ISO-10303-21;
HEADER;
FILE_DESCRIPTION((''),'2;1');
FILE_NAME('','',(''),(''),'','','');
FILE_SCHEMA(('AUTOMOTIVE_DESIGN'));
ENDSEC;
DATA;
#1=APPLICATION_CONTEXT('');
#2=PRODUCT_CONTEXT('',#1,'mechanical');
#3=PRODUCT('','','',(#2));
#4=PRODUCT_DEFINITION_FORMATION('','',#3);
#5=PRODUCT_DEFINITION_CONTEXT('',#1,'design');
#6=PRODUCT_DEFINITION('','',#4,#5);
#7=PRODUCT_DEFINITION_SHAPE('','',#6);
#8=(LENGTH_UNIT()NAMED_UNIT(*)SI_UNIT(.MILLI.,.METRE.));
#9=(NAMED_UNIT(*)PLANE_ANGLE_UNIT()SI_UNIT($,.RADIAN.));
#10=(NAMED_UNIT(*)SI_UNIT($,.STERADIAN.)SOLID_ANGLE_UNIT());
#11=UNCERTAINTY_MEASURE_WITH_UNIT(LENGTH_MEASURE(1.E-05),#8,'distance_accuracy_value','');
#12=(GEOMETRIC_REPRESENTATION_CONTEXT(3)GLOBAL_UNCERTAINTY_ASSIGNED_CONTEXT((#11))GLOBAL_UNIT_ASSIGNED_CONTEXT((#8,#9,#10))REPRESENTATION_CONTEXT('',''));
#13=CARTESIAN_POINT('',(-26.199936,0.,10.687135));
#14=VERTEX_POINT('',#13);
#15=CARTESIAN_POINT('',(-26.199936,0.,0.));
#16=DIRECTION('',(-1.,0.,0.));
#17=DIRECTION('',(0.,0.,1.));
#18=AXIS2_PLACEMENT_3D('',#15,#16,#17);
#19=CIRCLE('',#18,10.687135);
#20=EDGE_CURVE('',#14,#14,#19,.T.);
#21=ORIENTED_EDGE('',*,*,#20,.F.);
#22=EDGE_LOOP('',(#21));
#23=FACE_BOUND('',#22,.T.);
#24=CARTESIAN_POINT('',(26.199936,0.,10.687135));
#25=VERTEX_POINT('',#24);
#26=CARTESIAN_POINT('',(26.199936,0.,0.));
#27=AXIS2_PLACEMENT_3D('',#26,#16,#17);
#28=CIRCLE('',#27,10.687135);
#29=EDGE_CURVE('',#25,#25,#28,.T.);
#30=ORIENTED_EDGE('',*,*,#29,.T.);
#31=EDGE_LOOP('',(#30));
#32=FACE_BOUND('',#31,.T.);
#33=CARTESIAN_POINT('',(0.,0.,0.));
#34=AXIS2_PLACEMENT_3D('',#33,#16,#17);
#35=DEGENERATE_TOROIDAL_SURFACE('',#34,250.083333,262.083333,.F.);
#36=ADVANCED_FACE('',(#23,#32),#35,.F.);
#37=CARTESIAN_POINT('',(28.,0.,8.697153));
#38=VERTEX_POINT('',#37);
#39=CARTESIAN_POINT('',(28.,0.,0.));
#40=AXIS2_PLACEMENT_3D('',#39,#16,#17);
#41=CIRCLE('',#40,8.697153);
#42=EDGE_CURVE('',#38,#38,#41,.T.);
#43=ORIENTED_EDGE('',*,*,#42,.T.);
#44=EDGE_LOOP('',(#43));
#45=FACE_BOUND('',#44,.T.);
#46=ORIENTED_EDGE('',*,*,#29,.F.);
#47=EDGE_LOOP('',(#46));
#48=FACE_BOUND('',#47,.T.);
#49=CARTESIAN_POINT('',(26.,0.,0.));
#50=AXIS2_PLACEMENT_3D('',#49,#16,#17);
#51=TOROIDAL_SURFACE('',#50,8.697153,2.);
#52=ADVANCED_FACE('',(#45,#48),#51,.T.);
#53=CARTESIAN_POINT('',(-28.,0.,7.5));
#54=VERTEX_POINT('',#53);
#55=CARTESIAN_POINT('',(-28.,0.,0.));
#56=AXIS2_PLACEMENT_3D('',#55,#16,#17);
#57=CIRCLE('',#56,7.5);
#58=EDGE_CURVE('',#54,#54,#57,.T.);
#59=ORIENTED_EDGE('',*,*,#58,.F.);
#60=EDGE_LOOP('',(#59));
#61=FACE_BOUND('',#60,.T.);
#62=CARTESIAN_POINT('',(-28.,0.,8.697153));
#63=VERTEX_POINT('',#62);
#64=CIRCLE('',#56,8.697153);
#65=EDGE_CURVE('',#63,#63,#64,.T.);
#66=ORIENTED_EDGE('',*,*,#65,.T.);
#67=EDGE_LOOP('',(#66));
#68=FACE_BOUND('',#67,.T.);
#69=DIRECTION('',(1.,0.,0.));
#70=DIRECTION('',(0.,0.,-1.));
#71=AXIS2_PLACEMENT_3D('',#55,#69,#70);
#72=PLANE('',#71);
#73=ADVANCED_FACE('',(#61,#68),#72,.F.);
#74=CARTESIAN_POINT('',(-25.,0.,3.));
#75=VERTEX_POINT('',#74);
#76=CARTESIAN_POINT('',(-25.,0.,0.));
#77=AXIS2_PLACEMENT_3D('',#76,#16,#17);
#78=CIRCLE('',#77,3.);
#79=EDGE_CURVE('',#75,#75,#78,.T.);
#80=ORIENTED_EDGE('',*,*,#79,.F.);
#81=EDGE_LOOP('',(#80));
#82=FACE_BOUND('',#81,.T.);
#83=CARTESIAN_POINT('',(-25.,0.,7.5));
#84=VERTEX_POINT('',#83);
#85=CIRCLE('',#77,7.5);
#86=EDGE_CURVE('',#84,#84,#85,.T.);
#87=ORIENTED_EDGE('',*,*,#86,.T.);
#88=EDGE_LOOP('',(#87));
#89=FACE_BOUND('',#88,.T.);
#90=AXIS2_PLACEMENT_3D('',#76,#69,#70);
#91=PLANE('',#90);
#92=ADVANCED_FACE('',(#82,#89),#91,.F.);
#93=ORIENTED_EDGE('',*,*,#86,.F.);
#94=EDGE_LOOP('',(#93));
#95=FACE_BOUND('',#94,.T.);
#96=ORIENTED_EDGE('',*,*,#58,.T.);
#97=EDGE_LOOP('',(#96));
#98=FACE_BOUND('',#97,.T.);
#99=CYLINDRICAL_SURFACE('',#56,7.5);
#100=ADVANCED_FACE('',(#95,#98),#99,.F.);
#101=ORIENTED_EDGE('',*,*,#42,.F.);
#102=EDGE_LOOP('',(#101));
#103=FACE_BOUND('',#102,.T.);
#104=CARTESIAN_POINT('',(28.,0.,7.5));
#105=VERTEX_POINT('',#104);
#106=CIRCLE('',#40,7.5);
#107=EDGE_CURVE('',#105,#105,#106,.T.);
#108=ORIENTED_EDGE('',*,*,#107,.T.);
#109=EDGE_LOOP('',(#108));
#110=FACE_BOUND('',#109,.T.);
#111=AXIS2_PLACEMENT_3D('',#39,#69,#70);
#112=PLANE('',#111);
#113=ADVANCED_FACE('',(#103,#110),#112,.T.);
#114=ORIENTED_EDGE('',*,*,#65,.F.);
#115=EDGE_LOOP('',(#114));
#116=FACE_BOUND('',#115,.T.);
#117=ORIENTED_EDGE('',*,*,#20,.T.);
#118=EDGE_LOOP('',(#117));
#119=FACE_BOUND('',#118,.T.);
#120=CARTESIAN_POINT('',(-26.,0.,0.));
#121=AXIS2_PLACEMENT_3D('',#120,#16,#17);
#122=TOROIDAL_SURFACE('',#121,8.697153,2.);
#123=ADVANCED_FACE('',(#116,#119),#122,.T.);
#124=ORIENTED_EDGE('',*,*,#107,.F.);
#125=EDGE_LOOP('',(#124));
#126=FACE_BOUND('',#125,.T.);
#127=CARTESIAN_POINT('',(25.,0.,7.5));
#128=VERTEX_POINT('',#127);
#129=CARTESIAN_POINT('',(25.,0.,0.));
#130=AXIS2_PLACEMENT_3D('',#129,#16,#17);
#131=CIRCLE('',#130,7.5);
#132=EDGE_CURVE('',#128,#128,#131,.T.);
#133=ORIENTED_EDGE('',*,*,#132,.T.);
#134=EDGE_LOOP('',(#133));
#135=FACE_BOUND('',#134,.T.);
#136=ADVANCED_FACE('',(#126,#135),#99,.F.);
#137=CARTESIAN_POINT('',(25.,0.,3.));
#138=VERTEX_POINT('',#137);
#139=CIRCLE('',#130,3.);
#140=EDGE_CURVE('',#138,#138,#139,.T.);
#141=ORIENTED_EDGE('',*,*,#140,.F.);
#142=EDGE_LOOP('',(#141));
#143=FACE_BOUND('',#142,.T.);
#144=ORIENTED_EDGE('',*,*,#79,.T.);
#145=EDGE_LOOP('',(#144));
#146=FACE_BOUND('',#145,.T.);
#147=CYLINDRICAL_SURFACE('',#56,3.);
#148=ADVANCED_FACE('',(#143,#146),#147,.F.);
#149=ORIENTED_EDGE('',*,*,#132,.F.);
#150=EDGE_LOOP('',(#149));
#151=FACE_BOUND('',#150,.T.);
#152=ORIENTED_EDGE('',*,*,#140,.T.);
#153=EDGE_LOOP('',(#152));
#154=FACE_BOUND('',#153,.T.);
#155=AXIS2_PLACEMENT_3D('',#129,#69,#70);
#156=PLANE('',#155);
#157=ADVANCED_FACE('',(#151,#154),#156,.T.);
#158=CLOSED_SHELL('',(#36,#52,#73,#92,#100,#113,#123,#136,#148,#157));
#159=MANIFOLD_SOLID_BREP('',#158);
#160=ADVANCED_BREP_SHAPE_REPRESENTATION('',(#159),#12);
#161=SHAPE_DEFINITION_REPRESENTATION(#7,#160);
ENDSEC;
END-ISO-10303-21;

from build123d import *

# Parameters (mm, degrees)
SCALE1_SCALE = 2


with BuildPart() as part:
    # Sketch1 → Revolve1 (revolve)
    with BuildSketch(Plane.XY):
        with BuildLine():
            Line((14, 3.75), (14, 4.348576665))
            ThreePointArc((14, 4.348576665), (13.741609048, 5.019408999), (13.099967959, 5.343567322))
            ThreePointArc((13.099967959, 5.343567322), (0, 6), (-13.099967959, 5.343567322))
            ThreePointArc((-13.099967959, 5.343567322), (-13.741609048, 5.019408999), (-14, 4.348576665))
            Line((-14, 4.348576665), (-14, 3.75))
            Line((-14, 3.75), (-12.5, 3.75))
            Line((-12.5, 3.75), (-12.5, 1.5))
            Line((-12.5, 1.5), (-9.090776518, 1.5))
            Line((-9.090776518, 1.5), (9.090776518, 1.5))
            Line((9.090776518, 1.5), (12.5, 1.5))
            Line((12.5, 1.5), (12.5, 3.75))
            Line((12.5, 3.75), (14, 3.75))
        make_face()
    revolve(axis=Axis((-14, 0, 0), (1, 0, 0)))


with BuildPart() as part_1:
    # Scale1: scaled about (0, 0, 0)
    add(part.part.scale(SCALE1_SCALE))


solid = part_1.part
